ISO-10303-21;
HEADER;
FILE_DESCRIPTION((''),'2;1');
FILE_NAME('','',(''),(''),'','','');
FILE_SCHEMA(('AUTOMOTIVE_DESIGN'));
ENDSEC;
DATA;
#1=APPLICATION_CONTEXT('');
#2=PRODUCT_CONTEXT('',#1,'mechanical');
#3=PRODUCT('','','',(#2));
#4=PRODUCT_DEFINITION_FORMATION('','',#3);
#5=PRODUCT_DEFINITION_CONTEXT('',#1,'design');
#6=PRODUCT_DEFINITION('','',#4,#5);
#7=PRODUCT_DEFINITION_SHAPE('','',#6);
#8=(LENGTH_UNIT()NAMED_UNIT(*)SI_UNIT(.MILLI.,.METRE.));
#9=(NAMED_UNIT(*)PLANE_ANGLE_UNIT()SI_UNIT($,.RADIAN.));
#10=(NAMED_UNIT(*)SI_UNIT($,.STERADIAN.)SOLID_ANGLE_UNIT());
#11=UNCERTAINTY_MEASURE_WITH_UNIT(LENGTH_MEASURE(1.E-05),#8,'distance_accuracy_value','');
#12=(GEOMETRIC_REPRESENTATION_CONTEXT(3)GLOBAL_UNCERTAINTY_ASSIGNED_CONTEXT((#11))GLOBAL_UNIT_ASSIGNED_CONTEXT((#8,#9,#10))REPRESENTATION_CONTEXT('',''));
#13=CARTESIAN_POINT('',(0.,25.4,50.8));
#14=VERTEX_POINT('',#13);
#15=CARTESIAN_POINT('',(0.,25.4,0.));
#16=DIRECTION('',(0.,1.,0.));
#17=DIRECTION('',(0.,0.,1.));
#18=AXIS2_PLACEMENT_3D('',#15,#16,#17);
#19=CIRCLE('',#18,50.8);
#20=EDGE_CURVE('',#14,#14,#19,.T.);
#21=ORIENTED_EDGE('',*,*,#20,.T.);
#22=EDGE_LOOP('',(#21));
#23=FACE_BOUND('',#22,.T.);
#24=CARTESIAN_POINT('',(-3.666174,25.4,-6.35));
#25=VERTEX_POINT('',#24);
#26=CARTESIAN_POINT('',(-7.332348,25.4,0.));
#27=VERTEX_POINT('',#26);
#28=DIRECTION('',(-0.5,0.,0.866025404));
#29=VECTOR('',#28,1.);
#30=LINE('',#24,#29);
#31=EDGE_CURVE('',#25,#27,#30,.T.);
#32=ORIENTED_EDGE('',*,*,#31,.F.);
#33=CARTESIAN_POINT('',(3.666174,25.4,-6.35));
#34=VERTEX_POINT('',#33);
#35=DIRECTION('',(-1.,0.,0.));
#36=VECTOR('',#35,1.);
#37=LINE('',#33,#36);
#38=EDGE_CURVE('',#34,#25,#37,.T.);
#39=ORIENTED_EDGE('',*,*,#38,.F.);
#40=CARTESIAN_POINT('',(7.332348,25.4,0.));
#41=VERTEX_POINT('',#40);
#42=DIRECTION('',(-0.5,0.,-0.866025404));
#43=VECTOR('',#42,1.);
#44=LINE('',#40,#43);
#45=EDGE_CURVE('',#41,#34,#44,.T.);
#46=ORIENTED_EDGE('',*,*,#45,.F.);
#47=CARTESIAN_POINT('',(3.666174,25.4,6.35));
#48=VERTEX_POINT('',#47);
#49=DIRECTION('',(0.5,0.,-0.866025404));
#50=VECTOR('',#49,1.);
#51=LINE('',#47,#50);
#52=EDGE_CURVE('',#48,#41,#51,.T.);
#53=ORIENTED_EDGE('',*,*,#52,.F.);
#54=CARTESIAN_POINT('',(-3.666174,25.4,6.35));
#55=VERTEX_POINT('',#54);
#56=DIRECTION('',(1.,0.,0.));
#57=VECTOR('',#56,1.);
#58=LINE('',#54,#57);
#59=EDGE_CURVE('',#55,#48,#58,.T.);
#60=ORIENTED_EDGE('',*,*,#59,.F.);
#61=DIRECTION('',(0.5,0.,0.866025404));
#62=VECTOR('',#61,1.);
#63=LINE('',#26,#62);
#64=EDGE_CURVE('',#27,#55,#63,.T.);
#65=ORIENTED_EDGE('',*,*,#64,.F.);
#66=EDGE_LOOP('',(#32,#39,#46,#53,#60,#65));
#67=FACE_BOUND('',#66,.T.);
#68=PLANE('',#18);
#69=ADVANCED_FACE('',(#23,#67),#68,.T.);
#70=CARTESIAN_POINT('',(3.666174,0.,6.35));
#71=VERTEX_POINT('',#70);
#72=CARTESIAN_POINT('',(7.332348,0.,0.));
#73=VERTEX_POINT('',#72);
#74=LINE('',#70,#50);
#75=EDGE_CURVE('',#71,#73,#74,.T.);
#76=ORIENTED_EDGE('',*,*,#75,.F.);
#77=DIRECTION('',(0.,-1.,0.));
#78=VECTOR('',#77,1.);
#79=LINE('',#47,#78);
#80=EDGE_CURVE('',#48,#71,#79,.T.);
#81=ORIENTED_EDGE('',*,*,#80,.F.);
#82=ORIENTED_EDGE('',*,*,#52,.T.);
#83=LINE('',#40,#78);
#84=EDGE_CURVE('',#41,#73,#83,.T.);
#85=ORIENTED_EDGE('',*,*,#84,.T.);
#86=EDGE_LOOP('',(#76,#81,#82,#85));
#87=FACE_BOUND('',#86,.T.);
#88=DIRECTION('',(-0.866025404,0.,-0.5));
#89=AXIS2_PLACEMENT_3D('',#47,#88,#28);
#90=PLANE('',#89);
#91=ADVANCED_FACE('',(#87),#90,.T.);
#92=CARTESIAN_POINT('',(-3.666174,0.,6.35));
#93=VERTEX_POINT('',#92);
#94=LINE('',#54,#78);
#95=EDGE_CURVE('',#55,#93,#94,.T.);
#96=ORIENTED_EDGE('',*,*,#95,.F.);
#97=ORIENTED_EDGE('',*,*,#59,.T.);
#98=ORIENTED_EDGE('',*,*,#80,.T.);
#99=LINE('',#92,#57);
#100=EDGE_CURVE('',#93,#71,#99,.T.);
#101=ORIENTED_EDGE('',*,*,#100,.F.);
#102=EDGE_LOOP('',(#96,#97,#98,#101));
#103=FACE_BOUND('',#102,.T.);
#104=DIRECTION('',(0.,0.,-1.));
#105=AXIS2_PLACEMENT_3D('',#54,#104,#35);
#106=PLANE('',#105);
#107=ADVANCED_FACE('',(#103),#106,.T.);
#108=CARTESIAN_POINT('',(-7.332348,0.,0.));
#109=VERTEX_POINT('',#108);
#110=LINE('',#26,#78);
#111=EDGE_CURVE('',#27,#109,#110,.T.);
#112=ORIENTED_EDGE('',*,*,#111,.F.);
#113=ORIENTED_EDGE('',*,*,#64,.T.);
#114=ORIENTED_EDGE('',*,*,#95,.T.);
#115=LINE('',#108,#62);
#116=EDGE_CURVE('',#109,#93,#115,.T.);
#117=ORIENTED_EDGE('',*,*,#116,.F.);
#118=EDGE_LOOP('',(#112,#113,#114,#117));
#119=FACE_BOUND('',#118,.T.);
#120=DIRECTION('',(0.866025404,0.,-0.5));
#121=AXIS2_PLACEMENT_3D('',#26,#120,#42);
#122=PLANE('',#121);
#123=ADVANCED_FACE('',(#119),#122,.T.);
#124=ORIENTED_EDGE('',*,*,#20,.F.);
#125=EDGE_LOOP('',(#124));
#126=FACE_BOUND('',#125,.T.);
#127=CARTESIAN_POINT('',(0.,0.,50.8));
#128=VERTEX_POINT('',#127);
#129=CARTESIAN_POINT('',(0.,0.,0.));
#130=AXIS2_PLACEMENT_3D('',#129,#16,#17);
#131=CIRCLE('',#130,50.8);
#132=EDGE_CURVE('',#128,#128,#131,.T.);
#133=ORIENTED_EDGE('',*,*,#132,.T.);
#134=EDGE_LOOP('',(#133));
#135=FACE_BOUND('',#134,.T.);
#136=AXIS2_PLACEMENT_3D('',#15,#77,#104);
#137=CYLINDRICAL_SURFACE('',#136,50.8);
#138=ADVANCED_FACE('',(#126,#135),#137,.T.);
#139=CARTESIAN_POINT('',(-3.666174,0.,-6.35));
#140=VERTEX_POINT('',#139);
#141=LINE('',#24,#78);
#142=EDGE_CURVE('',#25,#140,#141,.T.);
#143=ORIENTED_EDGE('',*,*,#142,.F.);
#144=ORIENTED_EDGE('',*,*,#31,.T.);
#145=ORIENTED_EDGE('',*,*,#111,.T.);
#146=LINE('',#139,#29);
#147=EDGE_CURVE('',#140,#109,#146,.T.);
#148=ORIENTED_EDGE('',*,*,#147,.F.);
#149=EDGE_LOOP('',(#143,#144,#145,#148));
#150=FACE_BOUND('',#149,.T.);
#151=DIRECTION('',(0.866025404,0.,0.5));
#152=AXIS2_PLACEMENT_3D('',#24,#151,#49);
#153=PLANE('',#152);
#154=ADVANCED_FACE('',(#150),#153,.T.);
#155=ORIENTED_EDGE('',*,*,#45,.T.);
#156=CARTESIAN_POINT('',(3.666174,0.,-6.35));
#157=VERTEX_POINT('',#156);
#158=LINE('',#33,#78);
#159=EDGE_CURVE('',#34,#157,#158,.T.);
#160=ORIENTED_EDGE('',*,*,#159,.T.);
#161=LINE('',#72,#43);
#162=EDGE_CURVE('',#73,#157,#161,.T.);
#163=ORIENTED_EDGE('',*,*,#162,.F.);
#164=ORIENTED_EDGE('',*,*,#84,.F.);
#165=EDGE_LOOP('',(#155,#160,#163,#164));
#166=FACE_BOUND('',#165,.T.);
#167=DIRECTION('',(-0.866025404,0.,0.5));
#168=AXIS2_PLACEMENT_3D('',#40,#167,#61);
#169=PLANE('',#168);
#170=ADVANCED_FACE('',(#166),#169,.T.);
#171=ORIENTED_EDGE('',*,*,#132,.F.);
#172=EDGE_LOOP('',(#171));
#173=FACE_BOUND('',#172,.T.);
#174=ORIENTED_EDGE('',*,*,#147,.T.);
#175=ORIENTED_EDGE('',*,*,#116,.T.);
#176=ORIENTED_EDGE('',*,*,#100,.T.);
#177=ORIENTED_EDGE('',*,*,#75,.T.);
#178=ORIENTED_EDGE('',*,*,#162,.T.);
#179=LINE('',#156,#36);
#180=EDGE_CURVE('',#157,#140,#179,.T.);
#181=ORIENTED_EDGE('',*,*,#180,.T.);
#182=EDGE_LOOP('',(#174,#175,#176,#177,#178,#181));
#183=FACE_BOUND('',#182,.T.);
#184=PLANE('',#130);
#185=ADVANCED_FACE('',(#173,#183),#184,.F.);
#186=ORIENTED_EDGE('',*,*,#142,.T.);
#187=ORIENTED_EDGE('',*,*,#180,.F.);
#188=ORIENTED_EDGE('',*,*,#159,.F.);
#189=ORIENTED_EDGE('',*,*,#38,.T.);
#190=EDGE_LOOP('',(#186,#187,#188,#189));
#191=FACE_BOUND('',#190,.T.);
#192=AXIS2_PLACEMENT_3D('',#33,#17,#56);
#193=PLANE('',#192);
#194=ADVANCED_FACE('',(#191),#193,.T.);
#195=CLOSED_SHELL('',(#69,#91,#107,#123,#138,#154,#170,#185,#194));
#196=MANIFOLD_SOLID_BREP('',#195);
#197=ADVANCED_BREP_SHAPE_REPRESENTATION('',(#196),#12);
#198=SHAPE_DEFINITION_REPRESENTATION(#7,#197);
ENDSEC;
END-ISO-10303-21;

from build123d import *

# Parameters (mm, degrees)
SKETCH1_R           = 50.8
BOSS_EXTRUDE1_DEPTH = 25.4


with BuildPart() as part:
    # Sketch1 → Boss-Extrude1 (new body)
    with BuildSketch(Plane(origin=(0, 0, 0), x_dir=(1, 0, 0), z_dir=(0, 1, 0))):
        Circle(SKETCH1_R)
        Polygon((7.332348419, 0), (3.666174209, 6.35), (-3.666174209, 6.35), (-7.332348419, 0), (-3.666174209, -6.35), (3.666174209, -6.35), align=None, mode=Mode.SUBTRACT)
    extrude(amount=BOSS_EXTRUDE1_DEPTH)


solid = part.part
